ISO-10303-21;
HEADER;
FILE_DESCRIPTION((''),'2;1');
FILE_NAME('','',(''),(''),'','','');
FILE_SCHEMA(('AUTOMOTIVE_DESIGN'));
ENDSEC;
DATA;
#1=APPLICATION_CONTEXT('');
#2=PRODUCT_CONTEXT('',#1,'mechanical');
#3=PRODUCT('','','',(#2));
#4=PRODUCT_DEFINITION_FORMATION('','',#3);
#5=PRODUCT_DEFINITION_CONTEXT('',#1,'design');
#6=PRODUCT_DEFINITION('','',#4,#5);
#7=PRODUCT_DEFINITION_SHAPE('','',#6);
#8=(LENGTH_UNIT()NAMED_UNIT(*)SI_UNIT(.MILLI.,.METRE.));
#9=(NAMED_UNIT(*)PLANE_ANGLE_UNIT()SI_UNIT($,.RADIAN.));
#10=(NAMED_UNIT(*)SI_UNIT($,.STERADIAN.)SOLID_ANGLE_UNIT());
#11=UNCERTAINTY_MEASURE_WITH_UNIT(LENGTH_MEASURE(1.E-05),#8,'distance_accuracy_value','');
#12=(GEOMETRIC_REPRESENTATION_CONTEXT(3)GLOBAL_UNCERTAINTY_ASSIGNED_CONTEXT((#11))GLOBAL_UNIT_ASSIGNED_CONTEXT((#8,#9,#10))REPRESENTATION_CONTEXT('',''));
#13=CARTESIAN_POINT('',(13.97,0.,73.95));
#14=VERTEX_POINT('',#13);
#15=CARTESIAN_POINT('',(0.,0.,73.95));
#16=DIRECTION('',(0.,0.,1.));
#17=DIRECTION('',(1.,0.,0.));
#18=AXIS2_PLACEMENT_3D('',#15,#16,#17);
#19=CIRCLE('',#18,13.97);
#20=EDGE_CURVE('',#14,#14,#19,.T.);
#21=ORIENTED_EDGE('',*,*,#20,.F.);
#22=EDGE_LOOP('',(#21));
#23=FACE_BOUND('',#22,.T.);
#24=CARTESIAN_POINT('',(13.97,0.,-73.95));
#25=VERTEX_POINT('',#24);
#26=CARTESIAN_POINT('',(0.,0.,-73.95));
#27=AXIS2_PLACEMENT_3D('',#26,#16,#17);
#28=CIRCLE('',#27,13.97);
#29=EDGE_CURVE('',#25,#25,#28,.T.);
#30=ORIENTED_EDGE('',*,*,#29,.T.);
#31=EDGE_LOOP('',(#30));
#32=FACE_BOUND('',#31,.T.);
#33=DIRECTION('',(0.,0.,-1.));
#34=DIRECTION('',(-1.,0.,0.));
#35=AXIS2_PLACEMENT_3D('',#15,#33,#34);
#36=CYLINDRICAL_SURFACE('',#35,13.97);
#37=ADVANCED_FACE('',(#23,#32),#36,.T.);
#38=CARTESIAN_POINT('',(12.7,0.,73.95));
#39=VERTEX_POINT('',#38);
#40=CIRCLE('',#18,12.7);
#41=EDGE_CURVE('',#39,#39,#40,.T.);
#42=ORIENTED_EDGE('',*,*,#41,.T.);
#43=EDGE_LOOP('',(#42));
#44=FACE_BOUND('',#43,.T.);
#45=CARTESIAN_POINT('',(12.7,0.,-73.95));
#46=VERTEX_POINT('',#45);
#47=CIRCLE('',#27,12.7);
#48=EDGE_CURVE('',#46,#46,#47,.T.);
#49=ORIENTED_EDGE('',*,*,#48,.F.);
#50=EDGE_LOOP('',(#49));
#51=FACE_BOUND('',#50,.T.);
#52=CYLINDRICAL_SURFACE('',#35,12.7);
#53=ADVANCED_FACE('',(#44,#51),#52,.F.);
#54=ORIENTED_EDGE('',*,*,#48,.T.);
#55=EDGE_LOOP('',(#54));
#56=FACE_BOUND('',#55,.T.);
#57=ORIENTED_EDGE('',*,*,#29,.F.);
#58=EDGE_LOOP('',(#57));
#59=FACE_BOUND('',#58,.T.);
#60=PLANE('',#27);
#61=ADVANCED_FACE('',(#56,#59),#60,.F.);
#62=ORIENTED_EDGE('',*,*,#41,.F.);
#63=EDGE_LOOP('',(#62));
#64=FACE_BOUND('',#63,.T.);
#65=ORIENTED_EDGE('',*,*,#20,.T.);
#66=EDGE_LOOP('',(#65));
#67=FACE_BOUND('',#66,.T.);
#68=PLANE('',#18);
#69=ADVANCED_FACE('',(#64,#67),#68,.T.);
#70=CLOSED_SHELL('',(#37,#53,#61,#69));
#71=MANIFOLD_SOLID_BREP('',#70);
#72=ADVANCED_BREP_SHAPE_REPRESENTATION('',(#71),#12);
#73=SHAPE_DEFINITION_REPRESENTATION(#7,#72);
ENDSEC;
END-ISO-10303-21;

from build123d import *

# Parameters (mm, degrees)
SKETCH16_R          = 13.97
SKETCH16_R_2        = 12.7
BOSS_EXTRUDE1_DEPTH = 73.95


with BuildPart() as part:
    # Sketch16 → Boss-Extrude1 (new, symmetric)
    with BuildSketch(Plane.XY):
        Circle(SKETCH16_R)
        Circle(SKETCH16_R_2, mode=Mode.SUBTRACT)
    extrude(amount=BOSS_EXTRUDE1_DEPTH, both=True)


solid = part.part
